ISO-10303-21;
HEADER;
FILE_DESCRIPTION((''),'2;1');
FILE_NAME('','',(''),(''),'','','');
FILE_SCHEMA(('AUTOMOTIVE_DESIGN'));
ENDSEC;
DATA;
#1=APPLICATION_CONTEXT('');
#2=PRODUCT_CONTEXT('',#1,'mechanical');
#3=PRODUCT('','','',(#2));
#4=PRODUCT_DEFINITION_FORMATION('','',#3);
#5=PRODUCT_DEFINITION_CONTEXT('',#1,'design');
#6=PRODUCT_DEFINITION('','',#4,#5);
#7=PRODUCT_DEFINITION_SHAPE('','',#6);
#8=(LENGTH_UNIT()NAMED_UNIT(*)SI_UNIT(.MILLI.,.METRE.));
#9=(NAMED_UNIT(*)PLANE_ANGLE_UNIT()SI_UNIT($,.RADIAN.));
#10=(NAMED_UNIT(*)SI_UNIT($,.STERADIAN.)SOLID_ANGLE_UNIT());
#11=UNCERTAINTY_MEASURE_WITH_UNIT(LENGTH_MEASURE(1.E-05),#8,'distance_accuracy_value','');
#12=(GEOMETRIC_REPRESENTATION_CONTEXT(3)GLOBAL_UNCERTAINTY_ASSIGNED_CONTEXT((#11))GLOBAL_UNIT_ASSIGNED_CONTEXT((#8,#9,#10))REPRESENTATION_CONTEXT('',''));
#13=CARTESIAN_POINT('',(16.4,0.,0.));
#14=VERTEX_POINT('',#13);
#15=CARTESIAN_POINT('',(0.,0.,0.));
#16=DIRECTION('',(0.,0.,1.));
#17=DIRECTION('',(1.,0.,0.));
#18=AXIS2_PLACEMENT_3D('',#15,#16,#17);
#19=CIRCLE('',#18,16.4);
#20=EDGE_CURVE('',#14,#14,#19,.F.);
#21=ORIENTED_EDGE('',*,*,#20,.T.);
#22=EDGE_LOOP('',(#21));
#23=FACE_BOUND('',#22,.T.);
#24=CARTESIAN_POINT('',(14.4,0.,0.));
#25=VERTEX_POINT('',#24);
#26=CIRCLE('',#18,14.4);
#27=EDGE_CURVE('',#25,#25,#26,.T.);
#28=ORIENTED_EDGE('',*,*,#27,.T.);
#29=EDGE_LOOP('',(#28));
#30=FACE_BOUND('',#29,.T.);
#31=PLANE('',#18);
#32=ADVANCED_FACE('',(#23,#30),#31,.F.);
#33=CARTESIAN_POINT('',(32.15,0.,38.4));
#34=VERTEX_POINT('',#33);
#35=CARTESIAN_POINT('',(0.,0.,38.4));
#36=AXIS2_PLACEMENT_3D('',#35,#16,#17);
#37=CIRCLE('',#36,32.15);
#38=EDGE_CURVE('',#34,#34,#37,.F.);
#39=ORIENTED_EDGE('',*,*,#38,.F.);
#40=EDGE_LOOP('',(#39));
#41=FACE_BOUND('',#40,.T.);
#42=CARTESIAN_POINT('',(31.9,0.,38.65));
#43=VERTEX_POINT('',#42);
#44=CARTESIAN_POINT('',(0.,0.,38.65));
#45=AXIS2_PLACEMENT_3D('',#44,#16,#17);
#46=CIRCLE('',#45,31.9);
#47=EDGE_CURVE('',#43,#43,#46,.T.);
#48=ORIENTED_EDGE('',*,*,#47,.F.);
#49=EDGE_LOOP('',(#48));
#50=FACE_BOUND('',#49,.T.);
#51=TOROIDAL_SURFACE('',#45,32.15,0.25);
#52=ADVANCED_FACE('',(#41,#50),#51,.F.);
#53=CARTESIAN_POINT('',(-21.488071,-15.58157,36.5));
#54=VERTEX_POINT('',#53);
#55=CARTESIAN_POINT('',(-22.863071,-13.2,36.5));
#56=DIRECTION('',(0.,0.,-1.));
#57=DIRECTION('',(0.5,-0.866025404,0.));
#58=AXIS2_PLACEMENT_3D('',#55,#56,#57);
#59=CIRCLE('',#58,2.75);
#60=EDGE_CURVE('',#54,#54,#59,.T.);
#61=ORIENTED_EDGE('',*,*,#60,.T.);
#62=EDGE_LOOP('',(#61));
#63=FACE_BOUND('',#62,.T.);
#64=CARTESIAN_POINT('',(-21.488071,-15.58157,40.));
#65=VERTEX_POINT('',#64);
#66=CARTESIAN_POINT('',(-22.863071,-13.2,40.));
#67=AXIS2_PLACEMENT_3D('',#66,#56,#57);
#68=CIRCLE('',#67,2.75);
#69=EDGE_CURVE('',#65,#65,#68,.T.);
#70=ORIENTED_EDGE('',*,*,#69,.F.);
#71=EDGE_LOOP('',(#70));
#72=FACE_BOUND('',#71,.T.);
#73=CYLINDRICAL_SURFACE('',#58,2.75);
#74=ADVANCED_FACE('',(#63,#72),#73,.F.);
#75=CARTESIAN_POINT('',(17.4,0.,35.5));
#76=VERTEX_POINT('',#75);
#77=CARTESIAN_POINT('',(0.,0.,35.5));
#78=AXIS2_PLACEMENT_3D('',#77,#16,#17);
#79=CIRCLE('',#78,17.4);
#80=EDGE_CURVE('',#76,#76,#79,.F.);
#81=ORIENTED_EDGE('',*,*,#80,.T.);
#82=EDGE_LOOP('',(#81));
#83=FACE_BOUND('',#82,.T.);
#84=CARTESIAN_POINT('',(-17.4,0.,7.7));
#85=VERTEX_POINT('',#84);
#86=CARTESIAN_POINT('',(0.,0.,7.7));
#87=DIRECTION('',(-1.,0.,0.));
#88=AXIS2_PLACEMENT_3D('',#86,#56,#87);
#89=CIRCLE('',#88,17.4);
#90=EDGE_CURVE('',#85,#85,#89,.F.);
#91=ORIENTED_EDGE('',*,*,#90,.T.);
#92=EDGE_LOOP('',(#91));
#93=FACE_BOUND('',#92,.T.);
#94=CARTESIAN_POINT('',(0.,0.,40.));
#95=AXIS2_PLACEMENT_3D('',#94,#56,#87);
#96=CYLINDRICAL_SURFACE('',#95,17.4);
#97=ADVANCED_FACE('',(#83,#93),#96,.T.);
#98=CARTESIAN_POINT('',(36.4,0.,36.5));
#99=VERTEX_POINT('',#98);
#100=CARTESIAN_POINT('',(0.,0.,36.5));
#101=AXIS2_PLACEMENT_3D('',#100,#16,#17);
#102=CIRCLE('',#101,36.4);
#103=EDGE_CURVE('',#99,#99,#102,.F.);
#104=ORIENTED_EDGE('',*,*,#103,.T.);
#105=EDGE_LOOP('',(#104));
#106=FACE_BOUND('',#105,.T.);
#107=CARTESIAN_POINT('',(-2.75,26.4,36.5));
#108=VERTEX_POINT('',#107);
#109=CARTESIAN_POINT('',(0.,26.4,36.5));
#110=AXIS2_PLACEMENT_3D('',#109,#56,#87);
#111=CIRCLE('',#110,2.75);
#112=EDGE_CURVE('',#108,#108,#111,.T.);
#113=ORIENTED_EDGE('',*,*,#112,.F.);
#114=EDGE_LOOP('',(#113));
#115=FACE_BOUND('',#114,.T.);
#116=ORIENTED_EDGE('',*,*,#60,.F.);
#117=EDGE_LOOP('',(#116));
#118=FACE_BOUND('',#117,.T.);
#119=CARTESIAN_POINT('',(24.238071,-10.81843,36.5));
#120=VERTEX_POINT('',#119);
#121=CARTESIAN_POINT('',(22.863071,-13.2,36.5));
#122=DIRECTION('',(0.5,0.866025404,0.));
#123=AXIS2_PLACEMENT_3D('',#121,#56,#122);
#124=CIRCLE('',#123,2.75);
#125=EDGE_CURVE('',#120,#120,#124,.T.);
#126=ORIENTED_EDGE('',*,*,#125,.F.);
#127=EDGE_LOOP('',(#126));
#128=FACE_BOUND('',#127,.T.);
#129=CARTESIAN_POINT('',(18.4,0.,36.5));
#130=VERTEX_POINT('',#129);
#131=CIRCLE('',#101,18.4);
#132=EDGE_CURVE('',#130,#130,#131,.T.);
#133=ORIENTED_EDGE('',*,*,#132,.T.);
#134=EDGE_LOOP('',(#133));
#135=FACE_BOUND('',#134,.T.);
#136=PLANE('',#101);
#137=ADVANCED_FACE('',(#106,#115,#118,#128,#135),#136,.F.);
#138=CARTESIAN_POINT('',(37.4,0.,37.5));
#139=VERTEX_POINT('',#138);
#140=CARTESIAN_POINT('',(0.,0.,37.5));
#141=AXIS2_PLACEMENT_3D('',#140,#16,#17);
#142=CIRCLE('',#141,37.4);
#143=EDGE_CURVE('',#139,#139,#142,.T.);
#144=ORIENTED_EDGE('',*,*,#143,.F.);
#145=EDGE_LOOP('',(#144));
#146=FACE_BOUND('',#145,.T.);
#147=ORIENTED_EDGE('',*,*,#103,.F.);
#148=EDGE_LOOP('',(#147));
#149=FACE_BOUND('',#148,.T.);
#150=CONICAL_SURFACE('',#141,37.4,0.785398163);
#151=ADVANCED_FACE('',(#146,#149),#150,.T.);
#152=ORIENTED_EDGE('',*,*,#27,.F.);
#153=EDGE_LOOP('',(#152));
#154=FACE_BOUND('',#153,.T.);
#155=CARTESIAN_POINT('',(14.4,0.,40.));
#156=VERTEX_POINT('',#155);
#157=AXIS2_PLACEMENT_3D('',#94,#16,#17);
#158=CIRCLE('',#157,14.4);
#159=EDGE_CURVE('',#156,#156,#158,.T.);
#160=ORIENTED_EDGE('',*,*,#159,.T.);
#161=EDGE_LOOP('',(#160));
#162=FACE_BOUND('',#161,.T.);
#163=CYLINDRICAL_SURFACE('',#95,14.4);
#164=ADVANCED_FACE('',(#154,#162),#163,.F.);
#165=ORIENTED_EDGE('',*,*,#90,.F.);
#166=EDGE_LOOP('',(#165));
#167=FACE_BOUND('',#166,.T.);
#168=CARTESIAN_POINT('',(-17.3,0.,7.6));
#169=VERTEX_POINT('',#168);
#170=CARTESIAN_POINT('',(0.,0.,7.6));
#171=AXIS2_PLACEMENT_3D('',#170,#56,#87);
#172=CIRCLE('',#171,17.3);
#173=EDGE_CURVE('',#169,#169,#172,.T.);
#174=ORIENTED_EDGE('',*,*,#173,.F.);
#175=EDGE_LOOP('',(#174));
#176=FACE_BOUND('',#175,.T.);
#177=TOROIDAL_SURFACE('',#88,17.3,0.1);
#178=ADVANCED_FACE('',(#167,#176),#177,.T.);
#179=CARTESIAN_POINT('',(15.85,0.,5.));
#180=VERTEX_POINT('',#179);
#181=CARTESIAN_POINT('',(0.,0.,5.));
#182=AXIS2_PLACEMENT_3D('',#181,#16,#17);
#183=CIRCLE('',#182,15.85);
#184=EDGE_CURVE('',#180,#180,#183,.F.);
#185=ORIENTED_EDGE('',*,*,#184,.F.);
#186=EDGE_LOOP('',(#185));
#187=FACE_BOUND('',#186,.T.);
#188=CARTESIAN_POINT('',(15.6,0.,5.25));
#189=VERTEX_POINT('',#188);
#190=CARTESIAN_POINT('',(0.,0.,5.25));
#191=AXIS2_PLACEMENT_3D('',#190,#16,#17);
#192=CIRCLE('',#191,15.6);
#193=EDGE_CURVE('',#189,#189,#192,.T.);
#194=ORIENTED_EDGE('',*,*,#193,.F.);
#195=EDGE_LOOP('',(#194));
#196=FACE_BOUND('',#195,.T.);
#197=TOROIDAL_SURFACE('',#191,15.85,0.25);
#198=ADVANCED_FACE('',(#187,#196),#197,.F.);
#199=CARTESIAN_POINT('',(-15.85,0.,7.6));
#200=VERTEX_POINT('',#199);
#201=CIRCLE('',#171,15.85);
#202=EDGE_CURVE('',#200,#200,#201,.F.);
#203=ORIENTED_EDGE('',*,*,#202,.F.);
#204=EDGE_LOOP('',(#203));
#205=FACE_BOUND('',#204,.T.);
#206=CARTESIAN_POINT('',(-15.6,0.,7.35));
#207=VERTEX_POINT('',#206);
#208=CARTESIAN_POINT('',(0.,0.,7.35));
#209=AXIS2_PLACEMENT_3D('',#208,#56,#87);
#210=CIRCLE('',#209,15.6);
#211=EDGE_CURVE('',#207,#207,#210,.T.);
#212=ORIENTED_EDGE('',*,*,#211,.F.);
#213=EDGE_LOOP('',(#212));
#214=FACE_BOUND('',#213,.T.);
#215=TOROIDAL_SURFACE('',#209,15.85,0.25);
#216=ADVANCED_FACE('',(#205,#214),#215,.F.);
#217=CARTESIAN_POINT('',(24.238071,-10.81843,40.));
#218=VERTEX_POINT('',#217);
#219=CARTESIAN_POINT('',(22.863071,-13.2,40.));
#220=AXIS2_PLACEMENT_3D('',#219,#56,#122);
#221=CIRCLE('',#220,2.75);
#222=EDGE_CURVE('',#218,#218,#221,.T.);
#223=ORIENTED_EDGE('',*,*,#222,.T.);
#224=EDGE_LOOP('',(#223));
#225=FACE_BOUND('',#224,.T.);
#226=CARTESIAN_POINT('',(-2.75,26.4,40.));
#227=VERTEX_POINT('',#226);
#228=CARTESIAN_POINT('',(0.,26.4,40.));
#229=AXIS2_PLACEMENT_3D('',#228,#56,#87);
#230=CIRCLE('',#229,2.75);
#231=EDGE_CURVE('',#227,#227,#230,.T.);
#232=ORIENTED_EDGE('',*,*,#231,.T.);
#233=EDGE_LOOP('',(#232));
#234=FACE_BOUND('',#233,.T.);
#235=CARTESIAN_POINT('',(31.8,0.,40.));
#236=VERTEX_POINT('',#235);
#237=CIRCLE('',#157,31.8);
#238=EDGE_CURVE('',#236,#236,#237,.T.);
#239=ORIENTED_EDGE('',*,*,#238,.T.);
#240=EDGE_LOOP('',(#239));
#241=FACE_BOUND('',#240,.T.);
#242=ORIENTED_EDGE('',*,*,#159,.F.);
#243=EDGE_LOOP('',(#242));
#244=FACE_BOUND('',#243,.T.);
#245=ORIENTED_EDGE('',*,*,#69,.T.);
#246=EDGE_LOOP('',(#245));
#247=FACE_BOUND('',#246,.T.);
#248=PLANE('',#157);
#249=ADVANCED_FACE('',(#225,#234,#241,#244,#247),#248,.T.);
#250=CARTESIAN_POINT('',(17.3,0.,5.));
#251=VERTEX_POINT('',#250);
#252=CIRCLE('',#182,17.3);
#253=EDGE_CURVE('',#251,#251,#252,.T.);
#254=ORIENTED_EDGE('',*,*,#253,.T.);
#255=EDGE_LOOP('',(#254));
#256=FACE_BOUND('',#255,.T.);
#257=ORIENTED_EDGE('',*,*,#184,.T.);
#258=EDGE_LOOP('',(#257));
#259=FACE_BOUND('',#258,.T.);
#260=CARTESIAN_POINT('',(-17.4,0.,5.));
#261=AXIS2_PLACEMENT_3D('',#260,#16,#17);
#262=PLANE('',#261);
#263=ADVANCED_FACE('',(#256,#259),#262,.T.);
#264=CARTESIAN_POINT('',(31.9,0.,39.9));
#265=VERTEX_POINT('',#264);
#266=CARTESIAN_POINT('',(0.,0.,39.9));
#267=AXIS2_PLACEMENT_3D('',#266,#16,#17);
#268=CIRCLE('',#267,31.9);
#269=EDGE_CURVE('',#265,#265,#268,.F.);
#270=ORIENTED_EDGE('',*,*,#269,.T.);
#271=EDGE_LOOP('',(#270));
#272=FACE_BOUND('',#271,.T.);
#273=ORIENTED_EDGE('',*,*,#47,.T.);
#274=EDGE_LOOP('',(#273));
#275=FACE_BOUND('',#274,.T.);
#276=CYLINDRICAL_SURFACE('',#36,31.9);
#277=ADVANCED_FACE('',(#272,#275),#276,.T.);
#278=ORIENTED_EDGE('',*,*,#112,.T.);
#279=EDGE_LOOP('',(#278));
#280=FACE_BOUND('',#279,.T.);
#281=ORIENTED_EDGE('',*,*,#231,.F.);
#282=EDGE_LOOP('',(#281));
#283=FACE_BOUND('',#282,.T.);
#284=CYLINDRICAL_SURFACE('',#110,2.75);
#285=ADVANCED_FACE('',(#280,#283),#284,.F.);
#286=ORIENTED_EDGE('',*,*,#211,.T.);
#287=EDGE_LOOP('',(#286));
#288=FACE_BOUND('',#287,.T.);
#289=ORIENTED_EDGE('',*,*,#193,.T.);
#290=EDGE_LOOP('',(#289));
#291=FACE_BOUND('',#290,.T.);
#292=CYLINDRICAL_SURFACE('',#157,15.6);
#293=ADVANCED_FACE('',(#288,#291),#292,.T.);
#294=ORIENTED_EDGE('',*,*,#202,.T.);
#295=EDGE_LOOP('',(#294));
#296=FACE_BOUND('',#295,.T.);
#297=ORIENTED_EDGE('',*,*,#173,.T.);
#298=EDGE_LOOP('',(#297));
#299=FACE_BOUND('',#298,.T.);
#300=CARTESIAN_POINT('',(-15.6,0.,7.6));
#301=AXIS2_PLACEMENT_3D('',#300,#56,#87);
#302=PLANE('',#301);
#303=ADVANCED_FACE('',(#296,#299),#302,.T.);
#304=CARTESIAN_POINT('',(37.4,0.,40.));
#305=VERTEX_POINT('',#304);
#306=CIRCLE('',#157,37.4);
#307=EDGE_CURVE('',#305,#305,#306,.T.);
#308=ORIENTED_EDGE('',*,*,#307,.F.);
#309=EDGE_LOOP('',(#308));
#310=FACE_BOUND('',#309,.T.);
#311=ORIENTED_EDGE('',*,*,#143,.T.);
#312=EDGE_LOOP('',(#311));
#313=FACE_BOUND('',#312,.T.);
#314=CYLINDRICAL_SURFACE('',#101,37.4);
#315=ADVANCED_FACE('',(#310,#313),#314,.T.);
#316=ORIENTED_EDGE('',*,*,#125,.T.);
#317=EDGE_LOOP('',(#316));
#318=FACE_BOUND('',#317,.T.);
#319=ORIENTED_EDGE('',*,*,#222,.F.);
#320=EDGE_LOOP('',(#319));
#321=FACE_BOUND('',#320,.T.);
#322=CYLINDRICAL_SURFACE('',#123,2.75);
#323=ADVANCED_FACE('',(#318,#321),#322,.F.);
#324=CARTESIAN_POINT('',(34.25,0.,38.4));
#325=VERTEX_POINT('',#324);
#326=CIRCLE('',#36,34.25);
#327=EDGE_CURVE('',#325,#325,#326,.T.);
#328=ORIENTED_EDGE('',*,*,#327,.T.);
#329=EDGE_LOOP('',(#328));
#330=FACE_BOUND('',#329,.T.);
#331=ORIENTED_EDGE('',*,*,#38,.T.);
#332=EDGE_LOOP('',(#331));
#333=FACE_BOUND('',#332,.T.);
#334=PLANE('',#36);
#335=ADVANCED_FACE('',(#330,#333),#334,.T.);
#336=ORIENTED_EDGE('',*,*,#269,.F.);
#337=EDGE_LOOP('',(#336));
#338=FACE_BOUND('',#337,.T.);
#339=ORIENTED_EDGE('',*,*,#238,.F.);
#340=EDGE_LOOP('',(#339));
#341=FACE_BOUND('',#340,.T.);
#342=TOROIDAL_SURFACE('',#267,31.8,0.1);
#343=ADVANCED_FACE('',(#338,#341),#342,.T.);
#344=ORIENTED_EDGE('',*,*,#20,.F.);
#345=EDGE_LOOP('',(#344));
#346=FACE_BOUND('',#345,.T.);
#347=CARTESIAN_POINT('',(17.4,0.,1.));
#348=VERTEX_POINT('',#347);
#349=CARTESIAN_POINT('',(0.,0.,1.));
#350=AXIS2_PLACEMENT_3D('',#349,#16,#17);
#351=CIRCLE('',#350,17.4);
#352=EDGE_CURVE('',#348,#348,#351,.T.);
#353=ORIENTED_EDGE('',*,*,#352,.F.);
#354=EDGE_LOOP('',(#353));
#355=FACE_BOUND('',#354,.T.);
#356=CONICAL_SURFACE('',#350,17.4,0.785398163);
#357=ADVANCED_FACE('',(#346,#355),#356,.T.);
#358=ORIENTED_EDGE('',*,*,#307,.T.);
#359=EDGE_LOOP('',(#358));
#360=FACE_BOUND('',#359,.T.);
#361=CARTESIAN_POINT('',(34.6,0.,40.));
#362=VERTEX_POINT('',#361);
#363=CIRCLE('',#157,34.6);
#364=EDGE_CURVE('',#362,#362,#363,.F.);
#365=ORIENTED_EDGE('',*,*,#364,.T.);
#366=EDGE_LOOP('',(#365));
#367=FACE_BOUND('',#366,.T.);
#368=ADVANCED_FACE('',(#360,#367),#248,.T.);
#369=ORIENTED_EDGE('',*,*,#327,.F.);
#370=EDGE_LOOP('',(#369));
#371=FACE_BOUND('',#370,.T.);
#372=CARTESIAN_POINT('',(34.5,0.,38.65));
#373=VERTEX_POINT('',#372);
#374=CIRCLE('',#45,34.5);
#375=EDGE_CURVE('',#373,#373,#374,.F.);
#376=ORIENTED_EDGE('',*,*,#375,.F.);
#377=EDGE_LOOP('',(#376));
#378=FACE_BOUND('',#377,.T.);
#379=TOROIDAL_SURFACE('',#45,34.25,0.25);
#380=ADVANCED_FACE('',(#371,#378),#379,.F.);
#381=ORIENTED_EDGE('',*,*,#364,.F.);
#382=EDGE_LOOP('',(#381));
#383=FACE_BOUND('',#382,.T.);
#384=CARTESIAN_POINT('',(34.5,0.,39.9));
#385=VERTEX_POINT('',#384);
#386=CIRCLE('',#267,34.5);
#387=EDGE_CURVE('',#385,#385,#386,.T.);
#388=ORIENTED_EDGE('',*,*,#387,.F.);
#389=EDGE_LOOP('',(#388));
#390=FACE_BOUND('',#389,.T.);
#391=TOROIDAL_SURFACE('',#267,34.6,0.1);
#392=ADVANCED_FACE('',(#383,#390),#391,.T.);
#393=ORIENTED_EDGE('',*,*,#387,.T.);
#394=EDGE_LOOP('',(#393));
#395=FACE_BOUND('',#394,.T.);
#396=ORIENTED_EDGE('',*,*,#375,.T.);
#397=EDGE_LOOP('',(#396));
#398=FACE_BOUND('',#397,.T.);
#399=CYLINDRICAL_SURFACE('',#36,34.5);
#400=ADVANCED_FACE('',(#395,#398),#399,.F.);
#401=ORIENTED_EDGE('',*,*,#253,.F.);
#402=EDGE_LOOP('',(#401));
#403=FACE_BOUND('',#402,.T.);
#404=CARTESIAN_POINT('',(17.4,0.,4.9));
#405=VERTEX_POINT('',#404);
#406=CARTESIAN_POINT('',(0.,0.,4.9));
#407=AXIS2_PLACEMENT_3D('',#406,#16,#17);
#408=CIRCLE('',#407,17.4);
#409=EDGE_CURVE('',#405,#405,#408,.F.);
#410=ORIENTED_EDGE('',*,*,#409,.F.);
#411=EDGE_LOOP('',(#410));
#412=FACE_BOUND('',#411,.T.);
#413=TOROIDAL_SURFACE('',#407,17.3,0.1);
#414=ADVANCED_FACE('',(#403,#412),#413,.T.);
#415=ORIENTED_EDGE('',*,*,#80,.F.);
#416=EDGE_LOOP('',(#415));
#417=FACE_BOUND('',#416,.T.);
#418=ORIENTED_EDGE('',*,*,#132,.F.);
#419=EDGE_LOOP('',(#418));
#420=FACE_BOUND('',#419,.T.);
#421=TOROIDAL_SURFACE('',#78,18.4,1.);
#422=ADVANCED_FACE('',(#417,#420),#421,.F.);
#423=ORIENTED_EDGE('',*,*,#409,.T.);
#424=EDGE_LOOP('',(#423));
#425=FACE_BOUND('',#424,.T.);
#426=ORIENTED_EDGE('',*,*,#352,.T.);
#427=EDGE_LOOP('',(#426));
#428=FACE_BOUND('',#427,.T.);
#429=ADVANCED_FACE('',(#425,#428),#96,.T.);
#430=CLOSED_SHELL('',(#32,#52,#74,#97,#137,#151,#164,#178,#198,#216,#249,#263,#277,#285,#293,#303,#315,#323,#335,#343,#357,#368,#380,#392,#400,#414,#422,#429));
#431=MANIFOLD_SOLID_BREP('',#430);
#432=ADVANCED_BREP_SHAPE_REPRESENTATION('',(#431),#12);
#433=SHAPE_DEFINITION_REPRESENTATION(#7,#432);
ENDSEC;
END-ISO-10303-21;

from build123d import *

# Parameters (mm, degrees)
SKETCH1_R           = 17.4
SKETCH1_R_2         = 14.4
BOSS_EXTRUDE1_DEPTH = 40
SKETCH2_R           = 37.4
SKETCH2_R_2         = 17.4
BOSS_EXTRUDE2_DEPTH = 3.5
SKETCH4_W           = 2.75
SKETCH4_H           = 3.5
CIRPATTERN1_COUNT   = 3
SKETCH5_W           = 1.8
SKETCH5_H           = 2.6
FILLET1_R           = 0.1
FILLET2_R           = 0.25
SKETCH6_R           = 34.5
SKETCH6_R_2         = 31.9
CUT_EXTRUDE1_DEPTH  = 1.6
FILLET3_R           = 0.25
FILLET4_R           = 0.1
CHAMFER1_SIZE       = 1
FILLET5_R           = 1
CHAMFER2_SIZE       = 1


with BuildPart() as part:
    # Sketch1 → Boss-Extrude1 (new body)
    with BuildSketch(Plane.XY):
        Circle(SKETCH1_R)
        Circle(SKETCH1_R_2, mode=Mode.SUBTRACT)
    extrude(amount=BOSS_EXTRUDE1_DEPTH)

    # Sketch5 → Cut-Revolve1 (revolve, cut)
    with BuildSketch(Plane(origin=(0, 0, 0), x_dir=(1, 0, 0), z_dir=(0, 1, 0))):
        with Locations((-16.5, -6.3)):
            Rectangle(SKETCH5_W, SKETCH5_H)
    revolve(axis=Axis((0, 0, 40), (0, 0, -1)), mode=Mode.SUBTRACT)

    # Fillet1
    fillet1_edges = [part.edges().sort_by_distance(p)[0] for p in [
        (-17.4, 0, 5),
        (-17.4, 0, 7.6),
    ]]
    fillet(fillet1_edges, radius=FILLET1_R)

    # Fillet2
    fillet2_edges = [part.edges().sort_by_distance(p)[0] for p in [
        (15.6, 0, 5),
        (15.6, 0, 7.6),
    ]]
    fillet(fillet2_edges, radius=FILLET2_R)


with BuildPart() as body_2:
    # Sketch2 → Boss-Extrude2 (new body)
    with BuildSketch(Plane.XY.offset(40)):
        Circle(SKETCH2_R)
        Circle(SKETCH2_R_2, mode=Mode.SUBTRACT)
    extrude(amount=-BOSS_EXTRUDE2_DEPTH)

    # Sketch4 → M5 Clearance Hole1 (revolve, cut)
    with BuildSketch(Plane(origin=(0, 26.4, 36.5), x_dir=(0, 1, 0), z_dir=(1, 0, 0))):
        with Locations((1.375, 1.75)):
            Rectangle(SKETCH4_W, SKETCH4_H)
    m5_clearance_hole1 = revolve(axis=Axis((0, 26.4, 30.15), (0, 0, 1)), mode=Mode.SUBTRACT)

    # CirPattern1: M5 Clearance Hole1 ×3 about axis
    cirpattern1_axis = Axis((0, 0, 0), (0, 0, 1))
    for i in range(1, CIRPATTERN1_COUNT):
        add(m5_clearance_hole1.rotate(cirpattern1_axis, i * 360 / CIRPATTERN1_COUNT), mode=Mode.SUBTRACT)


with BuildPart() as part_1:
    add(part.part)

    # Combine1: union body 2
    add(body_2.part)

    # Sketch6 → Cut-Extrude1 (cut)
    with BuildSketch(Plane.XY.offset(40)):
        Circle(SKETCH6_R)
        Circle(SKETCH6_R_2, mode=Mode.SUBTRACT)
    extrude(amount=-CUT_EXTRUDE1_DEPTH, mode=Mode.SUBTRACT)

    # Fillet3
    fillet3_edges = [part_1.edges().sort_by_distance(p)[0] for p in [
        (-34.5, 0, 38.4),
        (-31.9, 0, 38.4),
    ]]
    fillet(fillet3_edges, radius=FILLET3_R)

    # Fillet4
    fillet4_edges = [part_1.edges().sort_by_distance(p)[0] for p in [
        (-34.5, 0, 40),
        (-31.9, 0, 40),
    ]]
    fillet(fillet4_edges, radius=FILLET4_R)

    # Chamfer1
    chamfer1_edges = [part_1.edges().sort_by_distance(p)[0] for p in [
        (-37.4, 0, 36.5),
    ]]
    chamfer(chamfer1_edges, length=CHAMFER1_SIZE)

    # Fillet5
    fillet5_edges = [part_1.edges().sort_by_distance(p)[0] for p in [
        (-17.4, 0, 36.5),
    ]]
    fillet(fillet5_edges, radius=FILLET5_R)

    # Chamfer2
    chamfer2_edges = [part_1.edges().sort_by_distance(p)[0] for p in [
        (-17.4, 0, 0),
    ]]
    chamfer(chamfer2_edges, length=CHAMFER2_SIZE)


solid = part_1.part
